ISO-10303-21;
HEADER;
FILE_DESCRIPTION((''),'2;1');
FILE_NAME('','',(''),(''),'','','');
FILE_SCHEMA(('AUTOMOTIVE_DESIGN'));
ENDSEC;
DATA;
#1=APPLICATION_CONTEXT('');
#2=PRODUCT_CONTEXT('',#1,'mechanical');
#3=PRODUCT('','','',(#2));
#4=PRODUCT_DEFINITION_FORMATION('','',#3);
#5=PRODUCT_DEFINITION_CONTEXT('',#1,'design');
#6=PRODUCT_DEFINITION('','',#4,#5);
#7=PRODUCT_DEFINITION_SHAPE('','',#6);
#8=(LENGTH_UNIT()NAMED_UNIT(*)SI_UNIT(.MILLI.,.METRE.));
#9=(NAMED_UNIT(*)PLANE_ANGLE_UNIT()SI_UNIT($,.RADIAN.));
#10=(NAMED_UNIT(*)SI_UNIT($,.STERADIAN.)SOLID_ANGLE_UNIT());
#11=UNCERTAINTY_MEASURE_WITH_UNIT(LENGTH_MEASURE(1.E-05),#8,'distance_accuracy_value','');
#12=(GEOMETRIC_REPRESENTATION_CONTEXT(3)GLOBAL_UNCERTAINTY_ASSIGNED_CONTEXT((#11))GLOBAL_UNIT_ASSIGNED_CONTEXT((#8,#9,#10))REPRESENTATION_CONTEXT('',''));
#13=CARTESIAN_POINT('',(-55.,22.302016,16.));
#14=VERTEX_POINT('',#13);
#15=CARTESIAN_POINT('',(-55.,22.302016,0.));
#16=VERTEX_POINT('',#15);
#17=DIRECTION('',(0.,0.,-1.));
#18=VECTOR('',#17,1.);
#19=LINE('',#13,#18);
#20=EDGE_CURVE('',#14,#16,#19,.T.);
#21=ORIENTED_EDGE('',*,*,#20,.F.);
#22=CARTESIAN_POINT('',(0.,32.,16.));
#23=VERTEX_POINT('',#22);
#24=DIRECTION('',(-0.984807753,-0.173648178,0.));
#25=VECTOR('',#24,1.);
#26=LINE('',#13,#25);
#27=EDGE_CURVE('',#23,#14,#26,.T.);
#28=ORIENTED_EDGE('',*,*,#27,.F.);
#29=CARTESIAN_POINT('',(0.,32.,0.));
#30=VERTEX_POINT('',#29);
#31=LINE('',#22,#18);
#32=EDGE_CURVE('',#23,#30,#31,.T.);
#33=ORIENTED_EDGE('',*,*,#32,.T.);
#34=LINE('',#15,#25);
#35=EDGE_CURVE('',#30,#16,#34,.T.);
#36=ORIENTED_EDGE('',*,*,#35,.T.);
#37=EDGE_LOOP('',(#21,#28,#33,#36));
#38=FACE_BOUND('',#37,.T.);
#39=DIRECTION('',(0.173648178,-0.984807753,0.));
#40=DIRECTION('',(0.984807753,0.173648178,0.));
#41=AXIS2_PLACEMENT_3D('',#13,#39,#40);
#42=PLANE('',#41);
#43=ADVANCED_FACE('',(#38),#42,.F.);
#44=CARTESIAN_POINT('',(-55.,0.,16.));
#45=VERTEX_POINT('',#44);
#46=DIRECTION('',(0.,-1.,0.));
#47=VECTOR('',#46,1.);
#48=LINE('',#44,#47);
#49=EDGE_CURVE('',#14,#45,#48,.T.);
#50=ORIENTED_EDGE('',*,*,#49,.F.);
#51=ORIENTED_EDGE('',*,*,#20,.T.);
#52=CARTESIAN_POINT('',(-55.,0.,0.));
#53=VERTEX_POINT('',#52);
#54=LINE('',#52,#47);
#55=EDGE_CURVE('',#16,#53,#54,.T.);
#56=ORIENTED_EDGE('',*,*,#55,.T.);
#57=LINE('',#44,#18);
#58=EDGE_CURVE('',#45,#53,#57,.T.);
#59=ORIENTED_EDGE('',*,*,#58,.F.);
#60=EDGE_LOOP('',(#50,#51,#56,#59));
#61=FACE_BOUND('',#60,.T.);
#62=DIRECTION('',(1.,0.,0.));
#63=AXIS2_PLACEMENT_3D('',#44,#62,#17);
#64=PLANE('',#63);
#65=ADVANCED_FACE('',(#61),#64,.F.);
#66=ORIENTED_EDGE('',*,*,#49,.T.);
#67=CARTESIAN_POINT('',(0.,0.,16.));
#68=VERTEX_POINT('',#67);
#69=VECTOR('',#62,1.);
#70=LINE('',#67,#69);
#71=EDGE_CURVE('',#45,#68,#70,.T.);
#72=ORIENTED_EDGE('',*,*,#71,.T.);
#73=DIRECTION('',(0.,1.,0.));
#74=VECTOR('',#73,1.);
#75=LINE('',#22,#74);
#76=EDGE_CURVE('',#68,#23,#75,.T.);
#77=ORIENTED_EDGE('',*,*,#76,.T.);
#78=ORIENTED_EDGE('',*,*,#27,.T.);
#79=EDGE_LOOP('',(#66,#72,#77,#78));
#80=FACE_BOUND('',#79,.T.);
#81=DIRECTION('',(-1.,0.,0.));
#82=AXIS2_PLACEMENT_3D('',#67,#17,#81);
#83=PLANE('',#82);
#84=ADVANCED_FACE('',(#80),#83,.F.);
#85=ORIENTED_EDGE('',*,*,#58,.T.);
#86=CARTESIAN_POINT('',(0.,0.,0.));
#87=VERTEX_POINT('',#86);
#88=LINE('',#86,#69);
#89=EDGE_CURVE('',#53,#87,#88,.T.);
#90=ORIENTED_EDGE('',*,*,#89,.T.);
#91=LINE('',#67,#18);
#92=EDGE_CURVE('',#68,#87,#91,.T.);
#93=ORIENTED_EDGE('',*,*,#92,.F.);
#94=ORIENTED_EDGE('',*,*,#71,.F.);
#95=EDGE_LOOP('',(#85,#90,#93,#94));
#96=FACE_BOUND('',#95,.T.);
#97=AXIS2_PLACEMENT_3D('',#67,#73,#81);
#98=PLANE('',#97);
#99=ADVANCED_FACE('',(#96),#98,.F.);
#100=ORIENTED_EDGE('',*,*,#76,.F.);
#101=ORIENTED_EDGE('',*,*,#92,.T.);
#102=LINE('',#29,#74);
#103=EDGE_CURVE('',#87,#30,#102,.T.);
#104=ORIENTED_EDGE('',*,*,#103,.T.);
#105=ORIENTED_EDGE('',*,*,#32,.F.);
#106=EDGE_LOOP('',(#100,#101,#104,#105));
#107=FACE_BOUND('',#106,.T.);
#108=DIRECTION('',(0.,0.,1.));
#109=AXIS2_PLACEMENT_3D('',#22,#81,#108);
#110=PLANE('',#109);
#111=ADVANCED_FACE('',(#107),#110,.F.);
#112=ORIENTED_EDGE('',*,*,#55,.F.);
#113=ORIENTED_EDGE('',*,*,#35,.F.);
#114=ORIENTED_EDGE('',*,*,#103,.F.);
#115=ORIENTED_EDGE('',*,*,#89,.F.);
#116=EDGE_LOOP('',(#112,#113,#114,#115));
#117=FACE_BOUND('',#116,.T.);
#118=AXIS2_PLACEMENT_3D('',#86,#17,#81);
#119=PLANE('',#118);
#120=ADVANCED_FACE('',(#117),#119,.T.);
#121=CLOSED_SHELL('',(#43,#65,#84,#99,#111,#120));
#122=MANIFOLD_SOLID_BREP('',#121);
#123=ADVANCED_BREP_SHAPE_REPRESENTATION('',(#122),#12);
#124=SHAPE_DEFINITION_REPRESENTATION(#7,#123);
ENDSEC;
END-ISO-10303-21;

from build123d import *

# Parameters (mm, degrees)
BOSS_EXTRU_1_DEPTH = 16


with BuildPart() as part:
    # Esquisse1 → Boss.-Extru.1 (new body)
    with BuildSketch(Plane.XY):
        Polygon((0, 0), (-55, 0), (-55, 22.302016061), (0, 32), align=None)
    extrude(amount=BOSS_EXTRU_1_DEPTH)


solid = part.part
